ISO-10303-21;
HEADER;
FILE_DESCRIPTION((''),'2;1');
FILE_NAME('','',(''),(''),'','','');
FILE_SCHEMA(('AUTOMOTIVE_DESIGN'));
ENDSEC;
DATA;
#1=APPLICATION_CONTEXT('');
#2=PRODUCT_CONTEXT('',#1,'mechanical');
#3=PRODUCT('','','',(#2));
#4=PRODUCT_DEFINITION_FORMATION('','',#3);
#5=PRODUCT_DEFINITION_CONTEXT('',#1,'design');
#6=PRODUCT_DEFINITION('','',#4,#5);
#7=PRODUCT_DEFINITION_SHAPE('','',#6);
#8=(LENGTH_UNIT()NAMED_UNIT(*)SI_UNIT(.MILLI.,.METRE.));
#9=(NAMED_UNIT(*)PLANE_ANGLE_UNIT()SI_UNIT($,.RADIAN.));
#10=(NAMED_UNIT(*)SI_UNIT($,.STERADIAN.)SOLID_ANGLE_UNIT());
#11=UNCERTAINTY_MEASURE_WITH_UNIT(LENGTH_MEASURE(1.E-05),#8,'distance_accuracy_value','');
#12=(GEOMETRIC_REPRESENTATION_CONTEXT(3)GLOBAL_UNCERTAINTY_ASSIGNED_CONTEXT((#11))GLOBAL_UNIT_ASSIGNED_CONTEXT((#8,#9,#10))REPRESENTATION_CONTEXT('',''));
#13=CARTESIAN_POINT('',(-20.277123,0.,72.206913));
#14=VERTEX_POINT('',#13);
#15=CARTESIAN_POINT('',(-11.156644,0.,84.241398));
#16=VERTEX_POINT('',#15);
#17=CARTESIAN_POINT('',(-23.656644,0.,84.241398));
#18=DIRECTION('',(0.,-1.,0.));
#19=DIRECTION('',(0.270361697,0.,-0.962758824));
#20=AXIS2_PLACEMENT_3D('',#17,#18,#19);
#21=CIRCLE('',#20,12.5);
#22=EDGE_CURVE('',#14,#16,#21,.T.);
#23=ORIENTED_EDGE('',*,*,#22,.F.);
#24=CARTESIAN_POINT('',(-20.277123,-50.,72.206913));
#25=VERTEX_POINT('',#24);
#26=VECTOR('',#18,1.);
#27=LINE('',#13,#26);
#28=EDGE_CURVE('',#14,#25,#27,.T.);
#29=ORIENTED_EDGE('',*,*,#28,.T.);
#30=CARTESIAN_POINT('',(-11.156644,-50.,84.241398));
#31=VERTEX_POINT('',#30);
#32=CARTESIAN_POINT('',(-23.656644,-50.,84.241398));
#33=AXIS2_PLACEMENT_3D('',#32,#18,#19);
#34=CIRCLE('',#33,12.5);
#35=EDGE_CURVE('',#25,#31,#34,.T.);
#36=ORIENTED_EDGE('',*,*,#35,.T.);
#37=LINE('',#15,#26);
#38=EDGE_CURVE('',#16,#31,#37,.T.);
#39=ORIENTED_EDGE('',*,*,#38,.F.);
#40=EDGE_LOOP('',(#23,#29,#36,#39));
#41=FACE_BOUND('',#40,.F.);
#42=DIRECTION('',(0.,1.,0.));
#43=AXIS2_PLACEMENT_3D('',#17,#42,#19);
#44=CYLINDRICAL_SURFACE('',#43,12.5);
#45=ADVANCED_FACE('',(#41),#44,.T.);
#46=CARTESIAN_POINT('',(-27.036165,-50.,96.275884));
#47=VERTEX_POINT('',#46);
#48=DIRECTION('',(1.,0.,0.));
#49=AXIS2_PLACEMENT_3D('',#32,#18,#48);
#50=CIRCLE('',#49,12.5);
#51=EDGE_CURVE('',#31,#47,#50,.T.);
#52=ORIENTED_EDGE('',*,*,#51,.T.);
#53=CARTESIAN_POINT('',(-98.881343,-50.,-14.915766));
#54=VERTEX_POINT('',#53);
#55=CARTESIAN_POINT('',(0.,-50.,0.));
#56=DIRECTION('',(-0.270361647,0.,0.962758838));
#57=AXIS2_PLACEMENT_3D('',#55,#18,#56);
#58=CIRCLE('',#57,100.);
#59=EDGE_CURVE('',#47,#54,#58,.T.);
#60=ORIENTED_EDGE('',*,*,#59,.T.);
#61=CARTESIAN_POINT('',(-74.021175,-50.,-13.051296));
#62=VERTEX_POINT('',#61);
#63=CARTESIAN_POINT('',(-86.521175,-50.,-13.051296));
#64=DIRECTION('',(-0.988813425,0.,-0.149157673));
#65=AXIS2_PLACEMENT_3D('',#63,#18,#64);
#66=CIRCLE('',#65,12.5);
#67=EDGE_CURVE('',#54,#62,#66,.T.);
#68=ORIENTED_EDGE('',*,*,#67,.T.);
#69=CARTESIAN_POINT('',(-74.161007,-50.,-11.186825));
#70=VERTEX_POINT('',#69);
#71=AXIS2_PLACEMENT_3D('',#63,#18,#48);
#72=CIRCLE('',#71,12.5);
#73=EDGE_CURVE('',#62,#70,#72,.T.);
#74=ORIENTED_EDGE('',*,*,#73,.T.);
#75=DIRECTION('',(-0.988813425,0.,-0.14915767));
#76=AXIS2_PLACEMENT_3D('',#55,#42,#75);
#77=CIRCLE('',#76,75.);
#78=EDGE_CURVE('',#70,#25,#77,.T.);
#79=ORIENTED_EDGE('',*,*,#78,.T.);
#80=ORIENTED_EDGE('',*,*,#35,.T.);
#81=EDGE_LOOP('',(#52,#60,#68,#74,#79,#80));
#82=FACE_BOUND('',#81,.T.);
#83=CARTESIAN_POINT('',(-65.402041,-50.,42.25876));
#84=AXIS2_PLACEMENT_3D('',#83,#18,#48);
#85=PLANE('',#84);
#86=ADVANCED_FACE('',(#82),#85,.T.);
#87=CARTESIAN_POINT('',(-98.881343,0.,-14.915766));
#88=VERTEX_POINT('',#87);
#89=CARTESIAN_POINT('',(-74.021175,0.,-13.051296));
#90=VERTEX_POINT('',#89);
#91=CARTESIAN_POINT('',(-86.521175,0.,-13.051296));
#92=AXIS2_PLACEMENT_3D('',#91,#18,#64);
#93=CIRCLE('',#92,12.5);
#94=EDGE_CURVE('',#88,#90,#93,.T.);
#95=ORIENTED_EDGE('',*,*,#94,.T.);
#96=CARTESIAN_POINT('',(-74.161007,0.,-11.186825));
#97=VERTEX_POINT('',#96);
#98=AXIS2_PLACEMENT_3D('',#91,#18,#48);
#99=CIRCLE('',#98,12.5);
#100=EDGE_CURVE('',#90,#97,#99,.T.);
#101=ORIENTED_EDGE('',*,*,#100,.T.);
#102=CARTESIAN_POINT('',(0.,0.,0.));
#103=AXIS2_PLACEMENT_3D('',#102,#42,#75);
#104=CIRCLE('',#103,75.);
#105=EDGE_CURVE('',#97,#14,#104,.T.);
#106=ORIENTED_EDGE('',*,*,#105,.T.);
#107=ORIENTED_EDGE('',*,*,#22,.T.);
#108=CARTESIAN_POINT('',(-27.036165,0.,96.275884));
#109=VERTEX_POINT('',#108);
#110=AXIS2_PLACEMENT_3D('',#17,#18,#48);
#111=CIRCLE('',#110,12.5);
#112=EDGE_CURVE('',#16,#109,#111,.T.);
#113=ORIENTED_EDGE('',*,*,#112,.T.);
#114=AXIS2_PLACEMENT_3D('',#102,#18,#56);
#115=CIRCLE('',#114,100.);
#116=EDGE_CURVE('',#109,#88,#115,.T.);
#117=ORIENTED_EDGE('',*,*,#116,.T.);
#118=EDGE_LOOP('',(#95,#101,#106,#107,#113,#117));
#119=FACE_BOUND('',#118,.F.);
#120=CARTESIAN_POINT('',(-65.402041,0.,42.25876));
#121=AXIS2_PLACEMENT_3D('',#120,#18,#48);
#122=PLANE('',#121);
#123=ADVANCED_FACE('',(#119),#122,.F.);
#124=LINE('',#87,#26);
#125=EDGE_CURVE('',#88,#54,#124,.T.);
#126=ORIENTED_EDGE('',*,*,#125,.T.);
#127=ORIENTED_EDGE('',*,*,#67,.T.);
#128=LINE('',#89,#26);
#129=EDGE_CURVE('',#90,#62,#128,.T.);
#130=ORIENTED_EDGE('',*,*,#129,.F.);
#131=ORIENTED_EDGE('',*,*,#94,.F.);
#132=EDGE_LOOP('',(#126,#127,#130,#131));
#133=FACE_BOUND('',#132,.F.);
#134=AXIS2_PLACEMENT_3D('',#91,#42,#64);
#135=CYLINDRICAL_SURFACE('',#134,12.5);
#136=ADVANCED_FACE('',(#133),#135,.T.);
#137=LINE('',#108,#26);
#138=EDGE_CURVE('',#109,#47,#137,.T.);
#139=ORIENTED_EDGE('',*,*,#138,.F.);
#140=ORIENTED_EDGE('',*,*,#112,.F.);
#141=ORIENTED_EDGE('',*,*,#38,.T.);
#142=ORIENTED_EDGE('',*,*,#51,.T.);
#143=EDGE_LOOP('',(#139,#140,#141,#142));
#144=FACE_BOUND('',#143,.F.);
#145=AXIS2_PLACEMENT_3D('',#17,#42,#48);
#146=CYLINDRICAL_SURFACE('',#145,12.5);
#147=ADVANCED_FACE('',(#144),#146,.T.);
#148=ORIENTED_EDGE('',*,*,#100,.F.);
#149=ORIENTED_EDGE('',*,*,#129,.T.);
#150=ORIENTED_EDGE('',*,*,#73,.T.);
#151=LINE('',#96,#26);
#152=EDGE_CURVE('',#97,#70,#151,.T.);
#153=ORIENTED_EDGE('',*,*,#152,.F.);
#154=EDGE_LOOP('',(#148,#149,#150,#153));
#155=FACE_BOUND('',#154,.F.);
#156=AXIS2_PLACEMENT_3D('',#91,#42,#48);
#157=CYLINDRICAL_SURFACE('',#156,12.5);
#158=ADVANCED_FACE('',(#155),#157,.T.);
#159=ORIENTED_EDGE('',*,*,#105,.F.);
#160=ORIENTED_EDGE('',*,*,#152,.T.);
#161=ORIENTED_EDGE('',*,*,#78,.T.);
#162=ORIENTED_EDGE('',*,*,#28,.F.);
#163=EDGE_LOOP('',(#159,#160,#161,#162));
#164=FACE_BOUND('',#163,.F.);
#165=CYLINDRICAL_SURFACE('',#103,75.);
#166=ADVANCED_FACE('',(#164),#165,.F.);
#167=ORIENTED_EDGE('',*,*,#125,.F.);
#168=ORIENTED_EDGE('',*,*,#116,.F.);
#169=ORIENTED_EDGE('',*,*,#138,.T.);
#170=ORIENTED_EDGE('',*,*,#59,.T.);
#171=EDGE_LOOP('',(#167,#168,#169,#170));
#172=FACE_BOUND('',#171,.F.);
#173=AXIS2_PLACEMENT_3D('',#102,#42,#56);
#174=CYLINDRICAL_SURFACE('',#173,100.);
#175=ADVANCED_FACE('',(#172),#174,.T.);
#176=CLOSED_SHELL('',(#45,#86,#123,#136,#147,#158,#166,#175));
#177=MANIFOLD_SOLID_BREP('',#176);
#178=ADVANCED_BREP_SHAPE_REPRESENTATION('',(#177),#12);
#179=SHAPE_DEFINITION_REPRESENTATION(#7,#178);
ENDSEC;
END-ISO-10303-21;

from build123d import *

# Parameters (mm, degrees)
F0_R     = 7.5
F2_DEPTH = 50


with BuildPart() as f2:
    # F0 (on Front) → F2 (new body)
    with BuildSketch(Plane.XZ):
        with BuildLine():
            ThreePointArc((-20.2771231268, 72.2069129495), (-35.691129754, 80.8618774554), (-27.0361647105, 96.2758837807))
            ThreePointArc((-27.0361647105, 96.2758837807), (-83.9922641187, 54.2706142236), (-98.8813425816, -14.9157664658))
            ThreePointArc((-98.8813425816, -14.9157664658), (-88.3856453807, -0.6911276961), (-74.161006875, -11.1868252548))
            ThreePointArc((-74.161006875, -11.1868252548), (-62.9941980859, 40.7029606726), (-20.2771231268, 72.2069129495))
        make_face()
        with BuildLine():
            ThreePointArc((-11.1566443384, 84.2413982472), (-16.1066113799, 94.2036772197), (-27.0361647105, 96.2758837807))
            ThreePointArc((-27.0361647105, 96.2758837807), (-35.691129754, 80.8618774554), (-20.2771231268, 72.2069129495))
            ThreePointArc((-20.2771231268, 72.2069129495), (-13.6943651026, 76.6913656362), (-11.1566443384, 84.2413982472))
        make_face()
        with Locations((-23.6566443384, 84.2413982472)):
            Circle(F0_R, mode=Mode.SUBTRACT)
        with BuildLine():
            ThreePointArc((-74.161006875, -11.1868252548), (-88.3856453807, -0.6911276961), (-98.8813425816, -14.9157664658))
            ThreePointArc((-98.8813425816, -14.9157664658), (-85.5863211984, -25.5162884811), (-74.0211747752, -13.0512955493))
            ThreePointArc((-74.0211747752, -13.0512955493), (-74.0561818199, -12.1164422861), (-74.161006875, -11.1868252548))
        make_face()
        with Locations((-86.5211747752, -13.0512955493)):
            Circle(F0_R, mode=Mode.SUBTRACT)
        with Locations((-23.6566443384, 84.2413982472)):
            Circle(F0_R)
        with Locations((-86.5211747752, -13.0512955493)):
            Circle(F0_R)
    extrude(amount=F2_DEPTH)


solid = f2.part
